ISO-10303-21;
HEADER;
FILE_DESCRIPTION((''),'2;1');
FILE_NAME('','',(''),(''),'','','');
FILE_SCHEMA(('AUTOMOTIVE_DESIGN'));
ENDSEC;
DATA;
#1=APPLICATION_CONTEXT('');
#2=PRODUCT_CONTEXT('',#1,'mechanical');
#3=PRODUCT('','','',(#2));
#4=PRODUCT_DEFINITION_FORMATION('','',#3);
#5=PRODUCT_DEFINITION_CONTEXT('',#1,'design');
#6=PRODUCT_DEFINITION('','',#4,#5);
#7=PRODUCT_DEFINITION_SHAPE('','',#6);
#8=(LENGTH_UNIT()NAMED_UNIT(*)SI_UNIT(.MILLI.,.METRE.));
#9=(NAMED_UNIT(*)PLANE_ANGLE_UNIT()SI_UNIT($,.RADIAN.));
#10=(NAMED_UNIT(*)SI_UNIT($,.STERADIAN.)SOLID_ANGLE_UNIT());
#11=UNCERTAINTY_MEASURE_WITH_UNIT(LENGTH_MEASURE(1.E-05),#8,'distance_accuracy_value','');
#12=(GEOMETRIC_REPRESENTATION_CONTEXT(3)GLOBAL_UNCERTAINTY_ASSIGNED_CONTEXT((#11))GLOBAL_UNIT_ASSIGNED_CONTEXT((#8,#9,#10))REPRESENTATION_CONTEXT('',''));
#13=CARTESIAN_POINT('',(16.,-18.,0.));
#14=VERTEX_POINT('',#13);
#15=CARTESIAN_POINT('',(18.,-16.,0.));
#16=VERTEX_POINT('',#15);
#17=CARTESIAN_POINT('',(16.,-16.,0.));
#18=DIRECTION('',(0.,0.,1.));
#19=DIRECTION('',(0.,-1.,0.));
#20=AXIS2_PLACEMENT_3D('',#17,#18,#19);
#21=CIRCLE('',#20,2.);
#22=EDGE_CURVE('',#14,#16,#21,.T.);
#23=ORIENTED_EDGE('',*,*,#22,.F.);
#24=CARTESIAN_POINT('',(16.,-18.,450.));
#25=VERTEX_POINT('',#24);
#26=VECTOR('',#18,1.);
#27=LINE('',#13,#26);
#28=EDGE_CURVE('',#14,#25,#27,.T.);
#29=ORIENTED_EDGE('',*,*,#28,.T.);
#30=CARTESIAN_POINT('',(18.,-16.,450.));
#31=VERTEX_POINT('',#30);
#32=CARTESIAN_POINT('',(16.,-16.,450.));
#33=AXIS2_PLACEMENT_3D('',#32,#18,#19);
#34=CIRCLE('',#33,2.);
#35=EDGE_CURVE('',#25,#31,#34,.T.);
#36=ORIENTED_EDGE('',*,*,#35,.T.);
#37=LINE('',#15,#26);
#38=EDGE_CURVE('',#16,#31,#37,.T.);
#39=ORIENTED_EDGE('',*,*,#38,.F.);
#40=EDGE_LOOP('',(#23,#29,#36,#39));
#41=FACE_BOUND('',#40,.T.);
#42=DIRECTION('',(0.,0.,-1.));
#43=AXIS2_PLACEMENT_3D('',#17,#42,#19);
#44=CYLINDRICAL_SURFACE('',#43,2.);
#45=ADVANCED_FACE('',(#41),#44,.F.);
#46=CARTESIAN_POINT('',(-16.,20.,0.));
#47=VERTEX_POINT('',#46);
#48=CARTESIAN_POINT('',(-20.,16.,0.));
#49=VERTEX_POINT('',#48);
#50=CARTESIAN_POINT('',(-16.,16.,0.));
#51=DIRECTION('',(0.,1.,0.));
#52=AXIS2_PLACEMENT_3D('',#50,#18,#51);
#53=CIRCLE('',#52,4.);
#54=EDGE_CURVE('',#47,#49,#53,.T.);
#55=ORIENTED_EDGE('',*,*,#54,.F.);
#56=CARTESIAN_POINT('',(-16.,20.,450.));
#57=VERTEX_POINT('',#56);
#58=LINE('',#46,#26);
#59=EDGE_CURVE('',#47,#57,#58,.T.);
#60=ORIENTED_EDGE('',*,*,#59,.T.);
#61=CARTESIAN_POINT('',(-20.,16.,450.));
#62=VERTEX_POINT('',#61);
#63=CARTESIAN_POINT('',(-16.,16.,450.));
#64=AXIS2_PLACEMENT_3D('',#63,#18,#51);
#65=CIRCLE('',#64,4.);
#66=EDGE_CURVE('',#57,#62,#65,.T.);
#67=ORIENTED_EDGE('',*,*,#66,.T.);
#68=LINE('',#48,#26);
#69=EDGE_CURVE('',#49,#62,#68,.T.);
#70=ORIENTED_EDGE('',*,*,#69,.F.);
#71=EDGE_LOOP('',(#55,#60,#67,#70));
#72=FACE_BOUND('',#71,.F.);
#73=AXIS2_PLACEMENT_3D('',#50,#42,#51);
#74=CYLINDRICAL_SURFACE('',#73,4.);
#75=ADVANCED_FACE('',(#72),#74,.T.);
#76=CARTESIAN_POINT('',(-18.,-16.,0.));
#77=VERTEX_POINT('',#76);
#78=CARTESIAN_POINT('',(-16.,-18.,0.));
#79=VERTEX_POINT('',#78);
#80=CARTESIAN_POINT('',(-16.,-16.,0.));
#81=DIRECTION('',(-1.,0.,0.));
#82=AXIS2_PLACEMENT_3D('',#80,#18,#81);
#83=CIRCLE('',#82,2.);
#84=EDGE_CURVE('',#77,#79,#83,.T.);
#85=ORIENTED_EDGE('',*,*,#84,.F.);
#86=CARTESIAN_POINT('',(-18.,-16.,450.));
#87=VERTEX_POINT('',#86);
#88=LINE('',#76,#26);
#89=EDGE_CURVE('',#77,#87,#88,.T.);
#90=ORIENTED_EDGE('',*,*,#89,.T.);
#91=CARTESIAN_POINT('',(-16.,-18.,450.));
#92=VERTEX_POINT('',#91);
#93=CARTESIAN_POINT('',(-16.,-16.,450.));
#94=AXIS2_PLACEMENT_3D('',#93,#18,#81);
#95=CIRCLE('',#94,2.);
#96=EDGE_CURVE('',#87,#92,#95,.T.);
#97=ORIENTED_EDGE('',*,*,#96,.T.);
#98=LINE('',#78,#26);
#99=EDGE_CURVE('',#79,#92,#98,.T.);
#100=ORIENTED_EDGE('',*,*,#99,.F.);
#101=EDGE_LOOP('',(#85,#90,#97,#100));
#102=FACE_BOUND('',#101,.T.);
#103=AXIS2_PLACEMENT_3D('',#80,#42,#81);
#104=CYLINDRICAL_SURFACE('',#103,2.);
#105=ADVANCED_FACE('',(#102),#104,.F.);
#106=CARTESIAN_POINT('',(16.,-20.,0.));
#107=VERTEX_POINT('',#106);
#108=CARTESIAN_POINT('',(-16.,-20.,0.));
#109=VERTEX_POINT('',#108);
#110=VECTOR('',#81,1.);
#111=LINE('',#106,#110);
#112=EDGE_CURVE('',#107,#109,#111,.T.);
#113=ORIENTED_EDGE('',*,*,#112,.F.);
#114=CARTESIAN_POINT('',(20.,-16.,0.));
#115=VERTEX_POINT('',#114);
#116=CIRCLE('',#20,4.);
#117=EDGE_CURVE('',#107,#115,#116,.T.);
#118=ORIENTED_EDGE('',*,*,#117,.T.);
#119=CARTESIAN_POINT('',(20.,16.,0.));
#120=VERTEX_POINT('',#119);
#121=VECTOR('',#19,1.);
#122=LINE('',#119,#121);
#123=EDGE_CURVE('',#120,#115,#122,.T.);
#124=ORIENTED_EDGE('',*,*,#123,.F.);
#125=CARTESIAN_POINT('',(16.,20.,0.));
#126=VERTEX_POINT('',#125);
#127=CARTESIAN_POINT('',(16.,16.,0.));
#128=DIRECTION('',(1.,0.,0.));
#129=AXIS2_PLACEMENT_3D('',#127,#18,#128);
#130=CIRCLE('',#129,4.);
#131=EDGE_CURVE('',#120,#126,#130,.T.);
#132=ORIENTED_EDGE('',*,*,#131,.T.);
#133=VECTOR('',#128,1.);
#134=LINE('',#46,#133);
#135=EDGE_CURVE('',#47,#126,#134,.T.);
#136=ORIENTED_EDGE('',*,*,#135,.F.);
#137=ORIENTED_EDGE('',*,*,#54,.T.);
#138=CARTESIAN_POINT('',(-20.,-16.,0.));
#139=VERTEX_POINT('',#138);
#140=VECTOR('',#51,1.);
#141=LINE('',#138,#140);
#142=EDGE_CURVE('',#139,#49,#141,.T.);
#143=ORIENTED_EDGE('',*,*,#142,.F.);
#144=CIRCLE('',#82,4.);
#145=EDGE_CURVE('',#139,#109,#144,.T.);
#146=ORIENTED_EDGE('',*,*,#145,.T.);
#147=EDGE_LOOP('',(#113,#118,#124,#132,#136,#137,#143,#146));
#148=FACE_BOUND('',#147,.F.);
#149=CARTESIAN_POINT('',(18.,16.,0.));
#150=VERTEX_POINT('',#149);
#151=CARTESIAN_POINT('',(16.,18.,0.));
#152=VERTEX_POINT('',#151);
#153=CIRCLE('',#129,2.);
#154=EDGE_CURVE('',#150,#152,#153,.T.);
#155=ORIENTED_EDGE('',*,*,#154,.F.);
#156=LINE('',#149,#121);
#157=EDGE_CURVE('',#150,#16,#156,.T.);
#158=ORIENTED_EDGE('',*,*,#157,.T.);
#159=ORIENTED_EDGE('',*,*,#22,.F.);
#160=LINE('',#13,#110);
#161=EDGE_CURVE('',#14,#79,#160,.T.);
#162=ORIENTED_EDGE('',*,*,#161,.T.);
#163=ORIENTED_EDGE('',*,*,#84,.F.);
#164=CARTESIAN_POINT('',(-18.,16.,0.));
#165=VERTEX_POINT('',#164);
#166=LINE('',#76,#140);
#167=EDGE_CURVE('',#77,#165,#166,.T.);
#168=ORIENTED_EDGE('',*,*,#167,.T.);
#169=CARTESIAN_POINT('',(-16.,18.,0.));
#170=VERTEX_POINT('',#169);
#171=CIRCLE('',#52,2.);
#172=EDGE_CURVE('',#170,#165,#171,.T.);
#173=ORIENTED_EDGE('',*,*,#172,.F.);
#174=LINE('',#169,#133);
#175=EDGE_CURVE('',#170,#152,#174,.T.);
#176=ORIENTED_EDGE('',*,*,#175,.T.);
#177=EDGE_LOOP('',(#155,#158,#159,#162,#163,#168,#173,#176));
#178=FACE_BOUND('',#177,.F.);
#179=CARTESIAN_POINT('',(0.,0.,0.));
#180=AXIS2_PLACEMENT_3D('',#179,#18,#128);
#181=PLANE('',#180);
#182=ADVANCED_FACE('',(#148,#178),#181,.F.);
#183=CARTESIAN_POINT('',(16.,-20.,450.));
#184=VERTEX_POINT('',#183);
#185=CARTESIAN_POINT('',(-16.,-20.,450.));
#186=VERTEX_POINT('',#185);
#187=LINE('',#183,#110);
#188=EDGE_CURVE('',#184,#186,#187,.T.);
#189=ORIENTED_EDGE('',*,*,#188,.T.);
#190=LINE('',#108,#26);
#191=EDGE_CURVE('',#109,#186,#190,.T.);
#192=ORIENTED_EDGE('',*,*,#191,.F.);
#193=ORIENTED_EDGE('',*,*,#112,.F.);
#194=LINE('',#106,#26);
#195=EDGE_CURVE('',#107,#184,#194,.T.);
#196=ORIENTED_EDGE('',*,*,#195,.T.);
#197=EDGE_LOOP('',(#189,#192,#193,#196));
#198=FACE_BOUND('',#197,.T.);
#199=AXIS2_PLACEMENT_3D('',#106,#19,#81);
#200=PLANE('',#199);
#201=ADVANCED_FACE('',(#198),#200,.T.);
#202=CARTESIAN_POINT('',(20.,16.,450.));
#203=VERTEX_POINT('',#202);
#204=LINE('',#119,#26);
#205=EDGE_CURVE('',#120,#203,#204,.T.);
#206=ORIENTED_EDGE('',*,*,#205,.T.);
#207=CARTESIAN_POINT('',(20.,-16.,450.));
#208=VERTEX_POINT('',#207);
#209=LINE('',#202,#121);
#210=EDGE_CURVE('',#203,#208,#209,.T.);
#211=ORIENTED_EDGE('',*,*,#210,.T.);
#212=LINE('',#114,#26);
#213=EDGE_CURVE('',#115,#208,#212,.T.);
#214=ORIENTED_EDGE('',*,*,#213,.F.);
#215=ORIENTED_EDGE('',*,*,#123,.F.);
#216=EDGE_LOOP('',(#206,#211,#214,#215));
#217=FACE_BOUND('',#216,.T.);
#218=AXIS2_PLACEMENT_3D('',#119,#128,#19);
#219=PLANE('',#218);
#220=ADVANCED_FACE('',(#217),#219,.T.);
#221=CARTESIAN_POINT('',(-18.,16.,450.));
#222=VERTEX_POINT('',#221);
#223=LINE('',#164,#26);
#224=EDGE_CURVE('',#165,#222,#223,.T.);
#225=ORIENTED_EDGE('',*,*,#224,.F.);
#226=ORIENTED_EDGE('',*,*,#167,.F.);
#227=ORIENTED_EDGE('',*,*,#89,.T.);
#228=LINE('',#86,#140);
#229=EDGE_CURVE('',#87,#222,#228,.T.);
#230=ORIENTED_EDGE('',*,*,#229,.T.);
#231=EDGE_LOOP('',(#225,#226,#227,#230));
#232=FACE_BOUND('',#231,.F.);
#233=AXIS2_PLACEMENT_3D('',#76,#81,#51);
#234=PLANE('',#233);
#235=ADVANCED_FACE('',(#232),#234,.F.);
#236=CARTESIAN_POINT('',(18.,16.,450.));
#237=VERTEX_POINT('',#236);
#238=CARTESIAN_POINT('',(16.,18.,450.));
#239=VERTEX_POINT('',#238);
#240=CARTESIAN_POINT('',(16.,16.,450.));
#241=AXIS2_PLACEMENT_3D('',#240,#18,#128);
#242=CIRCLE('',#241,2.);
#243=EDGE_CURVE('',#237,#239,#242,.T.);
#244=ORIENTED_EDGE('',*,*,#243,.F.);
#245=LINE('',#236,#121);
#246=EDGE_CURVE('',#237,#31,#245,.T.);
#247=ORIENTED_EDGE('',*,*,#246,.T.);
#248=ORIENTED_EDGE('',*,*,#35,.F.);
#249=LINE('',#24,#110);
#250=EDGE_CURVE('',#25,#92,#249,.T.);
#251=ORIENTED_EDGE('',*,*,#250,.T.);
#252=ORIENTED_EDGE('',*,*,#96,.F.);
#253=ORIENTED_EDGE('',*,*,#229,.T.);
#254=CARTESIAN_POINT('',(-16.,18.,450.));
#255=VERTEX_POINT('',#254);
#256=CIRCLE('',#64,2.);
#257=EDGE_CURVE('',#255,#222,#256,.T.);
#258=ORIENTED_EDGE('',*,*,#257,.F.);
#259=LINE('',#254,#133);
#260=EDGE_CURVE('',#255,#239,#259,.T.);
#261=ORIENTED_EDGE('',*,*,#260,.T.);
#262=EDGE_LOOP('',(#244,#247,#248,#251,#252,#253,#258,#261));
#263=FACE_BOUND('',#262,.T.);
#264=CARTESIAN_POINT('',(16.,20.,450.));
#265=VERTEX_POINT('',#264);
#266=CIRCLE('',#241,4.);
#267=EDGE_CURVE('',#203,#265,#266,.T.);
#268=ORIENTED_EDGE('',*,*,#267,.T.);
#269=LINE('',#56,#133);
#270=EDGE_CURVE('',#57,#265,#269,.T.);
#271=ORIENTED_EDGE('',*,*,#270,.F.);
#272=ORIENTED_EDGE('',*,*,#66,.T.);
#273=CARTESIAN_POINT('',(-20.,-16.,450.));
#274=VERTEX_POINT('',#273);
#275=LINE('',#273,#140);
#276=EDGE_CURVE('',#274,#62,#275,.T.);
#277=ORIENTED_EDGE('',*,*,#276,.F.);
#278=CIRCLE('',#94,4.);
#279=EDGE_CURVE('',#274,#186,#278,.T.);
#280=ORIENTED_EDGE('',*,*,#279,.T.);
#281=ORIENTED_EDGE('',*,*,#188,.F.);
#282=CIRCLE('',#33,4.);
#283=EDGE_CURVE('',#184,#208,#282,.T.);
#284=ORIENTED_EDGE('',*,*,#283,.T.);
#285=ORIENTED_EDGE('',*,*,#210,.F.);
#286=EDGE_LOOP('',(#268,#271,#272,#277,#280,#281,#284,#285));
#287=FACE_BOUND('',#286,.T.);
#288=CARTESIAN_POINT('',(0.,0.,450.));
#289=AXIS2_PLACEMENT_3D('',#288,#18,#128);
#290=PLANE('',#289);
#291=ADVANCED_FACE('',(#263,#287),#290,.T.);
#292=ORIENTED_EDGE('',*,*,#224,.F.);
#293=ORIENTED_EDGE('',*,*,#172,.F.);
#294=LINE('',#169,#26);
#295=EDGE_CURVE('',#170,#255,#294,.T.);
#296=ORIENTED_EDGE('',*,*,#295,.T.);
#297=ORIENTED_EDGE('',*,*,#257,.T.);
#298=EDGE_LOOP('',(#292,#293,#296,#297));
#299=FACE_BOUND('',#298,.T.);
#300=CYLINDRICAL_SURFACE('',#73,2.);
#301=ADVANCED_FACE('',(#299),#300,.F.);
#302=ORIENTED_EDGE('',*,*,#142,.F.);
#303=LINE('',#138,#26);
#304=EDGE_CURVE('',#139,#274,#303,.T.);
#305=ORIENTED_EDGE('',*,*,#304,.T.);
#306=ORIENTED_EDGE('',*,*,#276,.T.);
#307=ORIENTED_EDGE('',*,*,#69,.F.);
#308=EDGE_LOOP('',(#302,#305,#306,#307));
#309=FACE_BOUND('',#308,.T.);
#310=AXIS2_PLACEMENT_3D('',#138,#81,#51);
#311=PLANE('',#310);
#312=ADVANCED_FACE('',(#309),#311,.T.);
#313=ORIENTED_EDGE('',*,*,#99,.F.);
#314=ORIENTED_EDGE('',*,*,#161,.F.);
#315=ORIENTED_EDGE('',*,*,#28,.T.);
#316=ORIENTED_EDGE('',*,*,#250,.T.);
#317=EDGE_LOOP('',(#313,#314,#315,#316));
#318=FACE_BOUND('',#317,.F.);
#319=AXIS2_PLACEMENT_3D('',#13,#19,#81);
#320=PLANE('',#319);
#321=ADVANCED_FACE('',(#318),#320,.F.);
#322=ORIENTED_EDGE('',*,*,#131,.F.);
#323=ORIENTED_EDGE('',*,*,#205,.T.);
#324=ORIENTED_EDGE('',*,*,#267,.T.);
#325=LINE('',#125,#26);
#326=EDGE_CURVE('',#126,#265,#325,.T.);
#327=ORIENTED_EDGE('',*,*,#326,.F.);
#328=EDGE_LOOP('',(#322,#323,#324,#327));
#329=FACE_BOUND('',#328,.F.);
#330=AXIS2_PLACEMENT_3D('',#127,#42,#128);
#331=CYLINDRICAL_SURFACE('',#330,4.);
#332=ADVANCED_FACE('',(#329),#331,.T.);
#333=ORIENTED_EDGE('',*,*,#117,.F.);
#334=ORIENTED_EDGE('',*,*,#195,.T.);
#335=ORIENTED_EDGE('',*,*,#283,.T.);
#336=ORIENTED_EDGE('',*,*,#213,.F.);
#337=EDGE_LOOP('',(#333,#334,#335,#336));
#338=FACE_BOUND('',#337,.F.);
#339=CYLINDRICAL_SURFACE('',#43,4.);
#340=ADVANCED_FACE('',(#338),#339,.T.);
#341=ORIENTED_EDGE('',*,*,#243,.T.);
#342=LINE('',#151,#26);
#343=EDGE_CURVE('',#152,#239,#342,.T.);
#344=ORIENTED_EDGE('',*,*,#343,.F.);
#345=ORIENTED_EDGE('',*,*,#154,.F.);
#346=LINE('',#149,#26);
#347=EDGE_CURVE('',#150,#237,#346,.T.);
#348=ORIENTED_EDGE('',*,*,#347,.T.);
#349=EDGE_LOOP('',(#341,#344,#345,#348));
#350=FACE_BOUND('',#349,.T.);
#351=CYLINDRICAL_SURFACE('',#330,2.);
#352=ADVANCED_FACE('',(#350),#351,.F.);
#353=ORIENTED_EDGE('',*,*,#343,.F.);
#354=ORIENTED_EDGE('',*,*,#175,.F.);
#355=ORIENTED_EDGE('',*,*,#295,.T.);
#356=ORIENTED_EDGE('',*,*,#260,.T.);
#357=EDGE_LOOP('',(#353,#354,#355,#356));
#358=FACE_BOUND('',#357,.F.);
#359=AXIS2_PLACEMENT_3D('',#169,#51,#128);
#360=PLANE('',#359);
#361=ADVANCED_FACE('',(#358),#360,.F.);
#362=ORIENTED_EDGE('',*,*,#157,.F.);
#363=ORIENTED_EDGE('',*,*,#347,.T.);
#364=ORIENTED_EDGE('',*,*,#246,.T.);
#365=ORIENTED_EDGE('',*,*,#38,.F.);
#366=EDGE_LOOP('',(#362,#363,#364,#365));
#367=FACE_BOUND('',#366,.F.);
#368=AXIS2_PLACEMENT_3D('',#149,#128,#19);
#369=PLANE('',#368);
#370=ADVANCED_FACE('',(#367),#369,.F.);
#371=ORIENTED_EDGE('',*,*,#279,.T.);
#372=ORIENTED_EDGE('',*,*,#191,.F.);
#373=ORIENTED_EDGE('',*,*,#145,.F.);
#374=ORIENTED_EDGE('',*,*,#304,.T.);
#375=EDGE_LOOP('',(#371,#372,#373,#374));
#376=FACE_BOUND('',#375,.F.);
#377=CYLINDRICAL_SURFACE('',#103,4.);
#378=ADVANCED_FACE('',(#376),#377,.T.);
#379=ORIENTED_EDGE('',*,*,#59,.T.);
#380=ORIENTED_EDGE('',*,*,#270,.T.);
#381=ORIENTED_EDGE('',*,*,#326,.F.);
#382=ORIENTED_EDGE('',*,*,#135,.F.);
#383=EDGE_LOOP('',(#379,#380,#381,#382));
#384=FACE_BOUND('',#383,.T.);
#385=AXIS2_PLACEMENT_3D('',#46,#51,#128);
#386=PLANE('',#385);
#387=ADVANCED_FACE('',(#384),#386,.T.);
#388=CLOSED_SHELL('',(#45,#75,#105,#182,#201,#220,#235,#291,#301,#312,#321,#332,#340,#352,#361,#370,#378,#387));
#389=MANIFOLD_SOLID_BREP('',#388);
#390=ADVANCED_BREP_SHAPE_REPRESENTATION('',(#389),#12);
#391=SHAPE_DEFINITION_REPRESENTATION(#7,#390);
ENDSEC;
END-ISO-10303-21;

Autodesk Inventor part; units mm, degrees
ref_plane "YZ Plane" through (0, 0, 0) normal (1, 0, 0) x (0, 1, 0)
ref_plane "Start plane" through (0, 0, 0) normal (0, 0, 1) x (1, 0, 0)
ref_plane "End plane" through (0, 0, 450) normal (0, 0, 1) x (1, 0, 0)
sketch "Sketch" plane through (0, 0, 0) normal (0, 0, 1) x (1, 0, 0)
  line L0 (-20, -16) -> (-20, 16)
  line L1 (-16, 20) -> (16, 20)
  line L2 (20, 16) -> (20, -16)
  line L3 (16, -20) -> (-16, -20)
  arc A0 (-20, -16) -> (-16, -20) centre (-16, -16) ccw
  arc A1 (20, 16) -> (16, 20) centre (16, 16) ccw
  arc A2 (-16, 20) -> (-20, 16) centre (-16, 16) ccw
  arc A3 (16, -20) -> (20, -16) centre (16, -16) ccw
  arc A4 (-16, 18) -> (-18, 16) centre (-16, 16) ccw
  line L4 (-16, 18) -> (16, 18)
  arc A5 (18, 16) -> (16, 18) centre (16, 16) ccw
  line L5 (18, 16) -> (18, -16)
  arc A6 (16, -18) -> (18, -16) centre (16, -16) ccw
  line L6 (16, -18) -> (-16, -18)
  arc A7 (-18, -16) -> (-16, -18) centre (-16, -16) ccw
  line L7 (-18, -16) -> (-18, 16)
  line L8 (0, 36.7397) -> (0, -36.7397) construction
  line L9 (-36.7397, 0) -> (36.7397, 0) construction
  dimension "d7" = 4
  dimension "d9" = 40
  dimension "d11" = 40
  dimension "d12" = 2
  dimension "d15" = 20
  dimension "d16" = 20
extrude "Body" add sketch "Sketch" along normal up to surface (450 mm away) from surface at 0
sketch "Sketch3" plane through (0, 0, 0) normal (0, 0, 1) x (1, 0, 0)
  line L0 (0, 0) -> (10, 0)
ref_plane "Work Plane3" through (0, 0, 0) normal (0, -1, 0) x (1, 0, 0)
sketch "Sketch4" plane through (0, 0, 0) normal (0, -1, 0) x (1, 0, 0)
  line L0 (-2, 0) -> (12, 0) projected
  line L1 (-2, 450) -> (12, 450) projected
  dimension "d18" = 450
equation "\"d7\" = G_IR"
equation "\"d9\" = G_W"
equation "\"d11\" = G_H"
equation "\"d12\" = G_T"
equation "\"d15\" = 0.5 * d9"
equation "\"d16\" = 0.5 * d11"
equation "\"d3\" = G_L"
equation "\"G_W\" = 40"
equation "\"G_H\" = 40"
equation "\"G_T\" = 2"
equation "\"G_IR\" = 4"
equation "\"G_L\" = d18"
equation "\"G_OFFSET_START\" = 0"
equation "\"G_OFFSET_END\" = 0"
properties part number "ISO 10799-2 - 40x40x2 - 450" material "Steel, Mild"
